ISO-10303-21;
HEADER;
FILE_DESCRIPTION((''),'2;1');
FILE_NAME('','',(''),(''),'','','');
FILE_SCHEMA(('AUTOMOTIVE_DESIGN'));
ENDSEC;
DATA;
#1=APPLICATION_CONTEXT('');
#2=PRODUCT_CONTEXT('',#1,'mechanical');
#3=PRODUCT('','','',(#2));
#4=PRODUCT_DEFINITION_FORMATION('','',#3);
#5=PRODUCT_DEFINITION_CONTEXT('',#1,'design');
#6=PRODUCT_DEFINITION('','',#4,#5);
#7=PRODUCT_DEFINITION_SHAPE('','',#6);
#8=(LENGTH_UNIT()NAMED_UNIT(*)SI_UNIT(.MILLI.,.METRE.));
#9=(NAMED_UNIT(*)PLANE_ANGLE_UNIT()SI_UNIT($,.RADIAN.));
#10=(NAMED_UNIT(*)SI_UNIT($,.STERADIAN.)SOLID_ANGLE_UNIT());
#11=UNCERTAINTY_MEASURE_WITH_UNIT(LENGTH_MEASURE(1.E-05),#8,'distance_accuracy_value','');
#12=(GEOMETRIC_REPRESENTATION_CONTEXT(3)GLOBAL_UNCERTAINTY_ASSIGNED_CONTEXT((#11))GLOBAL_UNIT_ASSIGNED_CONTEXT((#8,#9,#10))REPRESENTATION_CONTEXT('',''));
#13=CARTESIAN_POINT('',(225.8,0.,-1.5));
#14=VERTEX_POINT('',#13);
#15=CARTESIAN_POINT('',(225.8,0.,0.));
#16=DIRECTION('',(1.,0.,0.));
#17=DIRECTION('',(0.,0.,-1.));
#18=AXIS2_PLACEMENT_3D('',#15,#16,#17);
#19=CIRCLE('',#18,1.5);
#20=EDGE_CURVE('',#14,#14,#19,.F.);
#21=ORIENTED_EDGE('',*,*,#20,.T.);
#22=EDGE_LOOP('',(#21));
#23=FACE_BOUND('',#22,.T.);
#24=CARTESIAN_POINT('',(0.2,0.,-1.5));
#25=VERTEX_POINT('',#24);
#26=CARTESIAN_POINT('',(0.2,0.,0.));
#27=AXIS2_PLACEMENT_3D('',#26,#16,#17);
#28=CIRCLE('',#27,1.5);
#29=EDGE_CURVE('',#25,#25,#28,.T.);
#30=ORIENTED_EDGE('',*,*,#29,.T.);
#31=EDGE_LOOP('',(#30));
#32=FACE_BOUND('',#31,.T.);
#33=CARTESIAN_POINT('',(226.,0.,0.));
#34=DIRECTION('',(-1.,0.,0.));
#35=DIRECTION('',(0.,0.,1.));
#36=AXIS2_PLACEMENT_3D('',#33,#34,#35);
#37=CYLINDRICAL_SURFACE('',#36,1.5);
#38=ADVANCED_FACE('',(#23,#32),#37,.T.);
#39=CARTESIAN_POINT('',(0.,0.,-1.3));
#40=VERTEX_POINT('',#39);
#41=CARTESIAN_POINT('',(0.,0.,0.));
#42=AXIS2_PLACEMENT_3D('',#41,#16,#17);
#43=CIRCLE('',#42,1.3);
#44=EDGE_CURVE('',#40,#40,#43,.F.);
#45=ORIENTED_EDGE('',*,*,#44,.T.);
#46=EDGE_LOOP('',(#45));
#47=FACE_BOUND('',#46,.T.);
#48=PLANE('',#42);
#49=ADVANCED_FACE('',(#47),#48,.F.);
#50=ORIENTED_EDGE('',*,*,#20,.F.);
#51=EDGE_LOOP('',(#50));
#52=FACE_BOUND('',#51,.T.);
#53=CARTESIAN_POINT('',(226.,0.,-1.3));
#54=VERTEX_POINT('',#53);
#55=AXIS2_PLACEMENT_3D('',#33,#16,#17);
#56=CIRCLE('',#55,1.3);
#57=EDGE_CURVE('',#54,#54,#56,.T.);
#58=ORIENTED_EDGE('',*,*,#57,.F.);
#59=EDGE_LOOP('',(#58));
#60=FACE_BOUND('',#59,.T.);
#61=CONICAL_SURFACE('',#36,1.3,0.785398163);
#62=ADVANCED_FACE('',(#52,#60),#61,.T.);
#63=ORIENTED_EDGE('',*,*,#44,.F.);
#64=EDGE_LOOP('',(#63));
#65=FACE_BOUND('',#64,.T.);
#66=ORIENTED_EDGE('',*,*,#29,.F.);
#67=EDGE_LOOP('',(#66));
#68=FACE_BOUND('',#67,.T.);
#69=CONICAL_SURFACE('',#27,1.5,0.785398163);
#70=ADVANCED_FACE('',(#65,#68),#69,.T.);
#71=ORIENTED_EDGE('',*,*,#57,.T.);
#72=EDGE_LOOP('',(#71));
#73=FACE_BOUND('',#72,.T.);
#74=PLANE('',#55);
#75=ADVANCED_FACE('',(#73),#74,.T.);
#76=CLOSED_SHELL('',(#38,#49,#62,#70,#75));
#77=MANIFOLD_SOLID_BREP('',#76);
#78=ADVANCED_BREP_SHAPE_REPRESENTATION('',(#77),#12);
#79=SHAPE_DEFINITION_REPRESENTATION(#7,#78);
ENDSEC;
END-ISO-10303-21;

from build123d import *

# Parameters (mm, degrees)
ESQUISSE1_R        = 1.5
BOSS_EXTRU_1_DEPTH = 226
CHANFREIN1_SIZE    = 0.2


with BuildPart() as part:
    # Esquisse1 → Boss.-Extru.1 (new body)
    with BuildSketch(Plane(origin=(0, 0, 0), x_dir=(0, 0, -1), z_dir=(1, 0, 0))):
        Circle(ESQUISSE1_R)
    extrude(amount=BOSS_EXTRU_1_DEPTH)

    # Chanfrein1
    chanfrein1_edges = [part.edges().sort_by_distance(p)[0] for p in [
        (0, 0, 1.5),
        (226, 0, 1.5),
    ]]
    chamfer(chanfrein1_edges, length=CHANFREIN1_SIZE)


solid = part.part
